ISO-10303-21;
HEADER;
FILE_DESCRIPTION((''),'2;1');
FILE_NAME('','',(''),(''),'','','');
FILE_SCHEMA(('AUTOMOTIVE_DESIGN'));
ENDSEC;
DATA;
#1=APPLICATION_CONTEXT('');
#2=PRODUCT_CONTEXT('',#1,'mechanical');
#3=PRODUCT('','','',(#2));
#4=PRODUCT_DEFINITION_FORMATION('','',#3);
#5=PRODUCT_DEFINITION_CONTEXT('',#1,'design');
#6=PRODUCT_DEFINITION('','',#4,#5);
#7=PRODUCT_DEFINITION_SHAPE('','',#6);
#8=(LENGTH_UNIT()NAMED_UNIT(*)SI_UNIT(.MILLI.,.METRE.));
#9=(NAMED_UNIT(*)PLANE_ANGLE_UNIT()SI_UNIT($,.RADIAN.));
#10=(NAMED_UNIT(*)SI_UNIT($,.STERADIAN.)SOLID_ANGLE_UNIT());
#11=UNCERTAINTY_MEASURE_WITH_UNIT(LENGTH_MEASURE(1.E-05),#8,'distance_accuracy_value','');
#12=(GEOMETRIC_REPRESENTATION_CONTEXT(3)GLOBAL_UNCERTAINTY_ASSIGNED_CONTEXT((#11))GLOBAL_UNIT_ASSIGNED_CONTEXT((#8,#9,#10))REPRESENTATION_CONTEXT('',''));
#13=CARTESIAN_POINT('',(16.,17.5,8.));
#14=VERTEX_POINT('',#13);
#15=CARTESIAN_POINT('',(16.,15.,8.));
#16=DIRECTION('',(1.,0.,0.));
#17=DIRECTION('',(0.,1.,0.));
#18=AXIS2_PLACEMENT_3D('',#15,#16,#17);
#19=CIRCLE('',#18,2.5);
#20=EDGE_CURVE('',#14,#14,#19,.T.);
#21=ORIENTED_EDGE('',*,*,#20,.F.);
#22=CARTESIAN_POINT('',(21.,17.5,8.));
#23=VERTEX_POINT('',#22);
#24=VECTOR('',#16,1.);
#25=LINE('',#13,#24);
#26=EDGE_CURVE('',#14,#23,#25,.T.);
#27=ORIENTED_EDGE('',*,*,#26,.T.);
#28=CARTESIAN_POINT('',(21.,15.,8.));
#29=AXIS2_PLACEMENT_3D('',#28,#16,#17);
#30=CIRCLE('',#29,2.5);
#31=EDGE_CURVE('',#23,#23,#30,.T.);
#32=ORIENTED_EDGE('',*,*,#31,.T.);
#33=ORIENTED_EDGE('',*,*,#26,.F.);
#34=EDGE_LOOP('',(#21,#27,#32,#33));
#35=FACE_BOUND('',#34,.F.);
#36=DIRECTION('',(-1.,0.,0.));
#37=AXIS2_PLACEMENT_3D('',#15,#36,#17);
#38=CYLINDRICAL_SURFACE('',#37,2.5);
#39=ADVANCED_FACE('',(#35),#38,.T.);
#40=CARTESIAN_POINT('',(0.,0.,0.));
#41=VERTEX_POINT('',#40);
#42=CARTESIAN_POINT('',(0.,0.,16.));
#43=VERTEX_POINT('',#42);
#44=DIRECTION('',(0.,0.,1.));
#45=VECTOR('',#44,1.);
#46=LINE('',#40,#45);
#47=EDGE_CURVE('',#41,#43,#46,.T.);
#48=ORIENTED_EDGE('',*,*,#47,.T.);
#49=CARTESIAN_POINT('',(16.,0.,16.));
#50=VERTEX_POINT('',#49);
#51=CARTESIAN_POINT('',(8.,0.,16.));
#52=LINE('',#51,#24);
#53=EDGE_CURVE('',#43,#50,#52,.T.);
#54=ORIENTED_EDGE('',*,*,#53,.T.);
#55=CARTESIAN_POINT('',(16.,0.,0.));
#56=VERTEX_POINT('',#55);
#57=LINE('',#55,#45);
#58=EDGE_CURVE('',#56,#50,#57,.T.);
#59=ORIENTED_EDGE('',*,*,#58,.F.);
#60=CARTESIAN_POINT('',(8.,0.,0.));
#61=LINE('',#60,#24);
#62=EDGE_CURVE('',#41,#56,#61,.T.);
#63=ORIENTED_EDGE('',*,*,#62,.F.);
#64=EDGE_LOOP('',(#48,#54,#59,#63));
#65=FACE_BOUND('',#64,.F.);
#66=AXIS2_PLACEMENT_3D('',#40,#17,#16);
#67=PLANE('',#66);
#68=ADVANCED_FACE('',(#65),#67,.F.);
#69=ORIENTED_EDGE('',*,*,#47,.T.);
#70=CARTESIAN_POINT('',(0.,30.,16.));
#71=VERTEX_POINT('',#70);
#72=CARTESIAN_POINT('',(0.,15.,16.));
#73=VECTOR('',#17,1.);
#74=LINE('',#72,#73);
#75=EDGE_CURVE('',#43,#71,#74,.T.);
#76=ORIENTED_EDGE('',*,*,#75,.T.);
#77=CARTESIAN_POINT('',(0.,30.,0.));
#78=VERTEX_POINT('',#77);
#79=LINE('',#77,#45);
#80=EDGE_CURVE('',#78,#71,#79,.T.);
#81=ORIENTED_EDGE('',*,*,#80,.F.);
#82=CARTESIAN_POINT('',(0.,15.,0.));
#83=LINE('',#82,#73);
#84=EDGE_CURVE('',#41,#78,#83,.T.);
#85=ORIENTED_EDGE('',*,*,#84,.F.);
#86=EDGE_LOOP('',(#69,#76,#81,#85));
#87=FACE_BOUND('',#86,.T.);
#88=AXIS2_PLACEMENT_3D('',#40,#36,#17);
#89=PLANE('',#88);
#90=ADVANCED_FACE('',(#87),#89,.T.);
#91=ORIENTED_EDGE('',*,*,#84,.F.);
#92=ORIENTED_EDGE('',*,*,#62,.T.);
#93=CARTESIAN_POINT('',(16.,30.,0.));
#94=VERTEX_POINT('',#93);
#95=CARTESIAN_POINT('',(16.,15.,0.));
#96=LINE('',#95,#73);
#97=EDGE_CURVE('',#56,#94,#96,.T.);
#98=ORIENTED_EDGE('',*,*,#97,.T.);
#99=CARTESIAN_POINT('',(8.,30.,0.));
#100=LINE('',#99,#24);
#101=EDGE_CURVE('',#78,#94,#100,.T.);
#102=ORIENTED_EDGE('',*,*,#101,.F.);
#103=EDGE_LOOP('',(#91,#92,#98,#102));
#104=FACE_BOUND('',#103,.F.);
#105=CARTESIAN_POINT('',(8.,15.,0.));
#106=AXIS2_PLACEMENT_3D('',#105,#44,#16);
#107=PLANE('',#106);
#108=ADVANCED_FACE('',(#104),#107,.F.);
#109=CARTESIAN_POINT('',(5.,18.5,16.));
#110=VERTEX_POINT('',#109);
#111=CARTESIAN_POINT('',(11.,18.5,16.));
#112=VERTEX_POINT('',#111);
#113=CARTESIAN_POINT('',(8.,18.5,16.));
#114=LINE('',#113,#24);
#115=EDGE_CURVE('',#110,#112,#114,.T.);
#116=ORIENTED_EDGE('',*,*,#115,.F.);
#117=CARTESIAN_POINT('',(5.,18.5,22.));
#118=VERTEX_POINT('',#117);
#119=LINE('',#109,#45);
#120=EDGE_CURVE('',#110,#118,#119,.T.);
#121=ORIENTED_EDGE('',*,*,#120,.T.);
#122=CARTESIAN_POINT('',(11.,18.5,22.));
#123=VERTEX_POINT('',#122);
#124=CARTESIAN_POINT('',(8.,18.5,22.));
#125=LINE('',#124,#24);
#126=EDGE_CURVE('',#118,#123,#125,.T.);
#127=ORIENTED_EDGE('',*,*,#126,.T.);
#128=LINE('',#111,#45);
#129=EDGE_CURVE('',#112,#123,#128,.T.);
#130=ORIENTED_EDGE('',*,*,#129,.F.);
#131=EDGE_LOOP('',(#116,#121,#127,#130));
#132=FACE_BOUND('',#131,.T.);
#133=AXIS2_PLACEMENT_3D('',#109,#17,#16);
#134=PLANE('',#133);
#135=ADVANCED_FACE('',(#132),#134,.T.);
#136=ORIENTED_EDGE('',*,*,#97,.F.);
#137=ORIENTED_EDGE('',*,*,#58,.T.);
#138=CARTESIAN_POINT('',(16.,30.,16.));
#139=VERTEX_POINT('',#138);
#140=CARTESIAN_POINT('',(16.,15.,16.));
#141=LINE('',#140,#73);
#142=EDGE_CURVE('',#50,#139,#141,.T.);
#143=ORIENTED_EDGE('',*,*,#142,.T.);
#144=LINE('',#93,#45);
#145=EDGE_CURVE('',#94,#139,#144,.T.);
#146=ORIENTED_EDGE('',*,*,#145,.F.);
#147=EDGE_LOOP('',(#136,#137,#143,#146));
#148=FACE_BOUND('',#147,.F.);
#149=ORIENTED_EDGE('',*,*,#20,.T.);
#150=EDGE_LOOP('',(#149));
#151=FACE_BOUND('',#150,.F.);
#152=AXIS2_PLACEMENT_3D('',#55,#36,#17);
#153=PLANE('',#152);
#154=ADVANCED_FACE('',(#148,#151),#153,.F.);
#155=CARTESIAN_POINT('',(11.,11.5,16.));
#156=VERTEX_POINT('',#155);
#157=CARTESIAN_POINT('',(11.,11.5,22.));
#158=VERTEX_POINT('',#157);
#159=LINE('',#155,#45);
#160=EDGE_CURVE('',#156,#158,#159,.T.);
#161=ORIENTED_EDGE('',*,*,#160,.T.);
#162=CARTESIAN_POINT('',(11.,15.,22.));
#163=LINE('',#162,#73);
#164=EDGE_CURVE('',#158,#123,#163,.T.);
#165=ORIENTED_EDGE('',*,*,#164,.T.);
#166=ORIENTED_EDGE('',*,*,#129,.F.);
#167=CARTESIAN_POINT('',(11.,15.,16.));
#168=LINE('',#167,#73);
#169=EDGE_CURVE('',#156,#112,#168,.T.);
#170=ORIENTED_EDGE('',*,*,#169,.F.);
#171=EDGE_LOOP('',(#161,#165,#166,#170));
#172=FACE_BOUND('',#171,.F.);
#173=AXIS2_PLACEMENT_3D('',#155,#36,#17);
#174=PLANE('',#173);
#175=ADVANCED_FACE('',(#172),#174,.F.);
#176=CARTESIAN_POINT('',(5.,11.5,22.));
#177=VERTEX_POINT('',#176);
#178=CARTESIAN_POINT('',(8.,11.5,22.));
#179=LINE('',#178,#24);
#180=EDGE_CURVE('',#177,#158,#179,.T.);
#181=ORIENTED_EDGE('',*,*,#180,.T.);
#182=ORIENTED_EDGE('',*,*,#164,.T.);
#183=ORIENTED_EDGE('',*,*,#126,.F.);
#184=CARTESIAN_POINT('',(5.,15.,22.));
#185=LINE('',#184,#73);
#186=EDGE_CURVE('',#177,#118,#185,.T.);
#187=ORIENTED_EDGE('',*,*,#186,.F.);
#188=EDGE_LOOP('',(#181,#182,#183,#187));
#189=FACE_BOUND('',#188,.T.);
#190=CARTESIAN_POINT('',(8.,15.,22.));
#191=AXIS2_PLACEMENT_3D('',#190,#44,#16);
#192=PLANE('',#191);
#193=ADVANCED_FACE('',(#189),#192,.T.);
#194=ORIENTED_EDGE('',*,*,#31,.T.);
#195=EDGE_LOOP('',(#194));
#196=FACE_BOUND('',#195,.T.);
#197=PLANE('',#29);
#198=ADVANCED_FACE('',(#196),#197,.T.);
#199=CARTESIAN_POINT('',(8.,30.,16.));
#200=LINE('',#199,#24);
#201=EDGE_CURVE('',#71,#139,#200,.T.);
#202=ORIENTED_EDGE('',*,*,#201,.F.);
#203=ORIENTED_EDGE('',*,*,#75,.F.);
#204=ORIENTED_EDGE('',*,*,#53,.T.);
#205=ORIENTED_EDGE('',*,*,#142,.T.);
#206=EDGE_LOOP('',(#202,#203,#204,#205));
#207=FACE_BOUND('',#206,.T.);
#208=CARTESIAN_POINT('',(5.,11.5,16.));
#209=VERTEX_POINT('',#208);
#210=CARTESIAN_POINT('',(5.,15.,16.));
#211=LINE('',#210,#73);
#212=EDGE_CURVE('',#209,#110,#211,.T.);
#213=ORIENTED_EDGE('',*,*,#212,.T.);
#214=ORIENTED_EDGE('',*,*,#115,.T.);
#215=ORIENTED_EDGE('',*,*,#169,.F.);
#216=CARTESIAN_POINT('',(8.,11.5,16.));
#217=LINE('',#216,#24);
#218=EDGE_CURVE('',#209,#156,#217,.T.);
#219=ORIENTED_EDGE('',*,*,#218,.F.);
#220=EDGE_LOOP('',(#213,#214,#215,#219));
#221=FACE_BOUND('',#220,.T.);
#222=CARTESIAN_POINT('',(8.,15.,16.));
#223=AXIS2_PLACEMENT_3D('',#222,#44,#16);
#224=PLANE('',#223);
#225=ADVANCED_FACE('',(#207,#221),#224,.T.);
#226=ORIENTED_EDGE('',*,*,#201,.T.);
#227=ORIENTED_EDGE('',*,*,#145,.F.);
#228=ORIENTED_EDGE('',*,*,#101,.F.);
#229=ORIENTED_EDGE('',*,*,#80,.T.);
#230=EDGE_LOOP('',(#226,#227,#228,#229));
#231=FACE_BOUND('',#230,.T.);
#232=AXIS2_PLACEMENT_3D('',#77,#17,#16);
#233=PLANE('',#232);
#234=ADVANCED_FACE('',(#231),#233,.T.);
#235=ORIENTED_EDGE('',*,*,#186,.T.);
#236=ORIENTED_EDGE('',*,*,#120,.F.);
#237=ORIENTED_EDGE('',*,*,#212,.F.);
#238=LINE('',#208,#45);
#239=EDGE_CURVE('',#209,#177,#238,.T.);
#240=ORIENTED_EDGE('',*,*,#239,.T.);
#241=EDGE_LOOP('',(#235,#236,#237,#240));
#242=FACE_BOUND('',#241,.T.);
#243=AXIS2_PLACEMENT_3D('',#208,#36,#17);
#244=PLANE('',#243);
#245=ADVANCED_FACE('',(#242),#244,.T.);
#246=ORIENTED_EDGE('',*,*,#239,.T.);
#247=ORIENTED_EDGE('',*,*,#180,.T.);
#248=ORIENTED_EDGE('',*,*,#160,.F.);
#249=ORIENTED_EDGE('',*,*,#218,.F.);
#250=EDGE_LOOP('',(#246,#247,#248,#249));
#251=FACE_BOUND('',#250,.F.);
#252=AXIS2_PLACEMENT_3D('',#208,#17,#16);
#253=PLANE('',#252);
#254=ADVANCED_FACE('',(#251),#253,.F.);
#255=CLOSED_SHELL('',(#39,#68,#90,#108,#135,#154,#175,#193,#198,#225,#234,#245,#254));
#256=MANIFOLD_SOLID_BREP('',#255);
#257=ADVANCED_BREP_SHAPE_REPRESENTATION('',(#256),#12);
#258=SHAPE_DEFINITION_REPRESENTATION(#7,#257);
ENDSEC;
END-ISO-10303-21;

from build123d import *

# Parameters (mm, degrees)
F0_W     = 16
F0_H     = 30
F1_DEPTH = 16
F2_W     = 6
F2_H     = 7
F3_DEPTH = 6
F4_R     = 2.5
F5_DEPTH = 5


with BuildPart() as f1:
    # F0 (on Top) → F1 (new body)
    with BuildSketch(Plane.XY):
        with Locations((8, 15)):
            Rectangle(F0_W, F0_H)
    extrude(amount=F1_DEPTH)

    # F2 (on face) → F3 (join)
    with BuildSketch(Plane.XY.offset(16)):
        with Locations((8, 15)):
            Rectangle(F2_W, F2_H)
    extrude(amount=F3_DEPTH)

    # F4 (on face) → F5 (join)
    with BuildSketch(Plane.YZ.offset(16)):
        with Locations((15, 8)):
            Circle(F4_R)
    extrude(amount=F5_DEPTH)


solid = f1.part
